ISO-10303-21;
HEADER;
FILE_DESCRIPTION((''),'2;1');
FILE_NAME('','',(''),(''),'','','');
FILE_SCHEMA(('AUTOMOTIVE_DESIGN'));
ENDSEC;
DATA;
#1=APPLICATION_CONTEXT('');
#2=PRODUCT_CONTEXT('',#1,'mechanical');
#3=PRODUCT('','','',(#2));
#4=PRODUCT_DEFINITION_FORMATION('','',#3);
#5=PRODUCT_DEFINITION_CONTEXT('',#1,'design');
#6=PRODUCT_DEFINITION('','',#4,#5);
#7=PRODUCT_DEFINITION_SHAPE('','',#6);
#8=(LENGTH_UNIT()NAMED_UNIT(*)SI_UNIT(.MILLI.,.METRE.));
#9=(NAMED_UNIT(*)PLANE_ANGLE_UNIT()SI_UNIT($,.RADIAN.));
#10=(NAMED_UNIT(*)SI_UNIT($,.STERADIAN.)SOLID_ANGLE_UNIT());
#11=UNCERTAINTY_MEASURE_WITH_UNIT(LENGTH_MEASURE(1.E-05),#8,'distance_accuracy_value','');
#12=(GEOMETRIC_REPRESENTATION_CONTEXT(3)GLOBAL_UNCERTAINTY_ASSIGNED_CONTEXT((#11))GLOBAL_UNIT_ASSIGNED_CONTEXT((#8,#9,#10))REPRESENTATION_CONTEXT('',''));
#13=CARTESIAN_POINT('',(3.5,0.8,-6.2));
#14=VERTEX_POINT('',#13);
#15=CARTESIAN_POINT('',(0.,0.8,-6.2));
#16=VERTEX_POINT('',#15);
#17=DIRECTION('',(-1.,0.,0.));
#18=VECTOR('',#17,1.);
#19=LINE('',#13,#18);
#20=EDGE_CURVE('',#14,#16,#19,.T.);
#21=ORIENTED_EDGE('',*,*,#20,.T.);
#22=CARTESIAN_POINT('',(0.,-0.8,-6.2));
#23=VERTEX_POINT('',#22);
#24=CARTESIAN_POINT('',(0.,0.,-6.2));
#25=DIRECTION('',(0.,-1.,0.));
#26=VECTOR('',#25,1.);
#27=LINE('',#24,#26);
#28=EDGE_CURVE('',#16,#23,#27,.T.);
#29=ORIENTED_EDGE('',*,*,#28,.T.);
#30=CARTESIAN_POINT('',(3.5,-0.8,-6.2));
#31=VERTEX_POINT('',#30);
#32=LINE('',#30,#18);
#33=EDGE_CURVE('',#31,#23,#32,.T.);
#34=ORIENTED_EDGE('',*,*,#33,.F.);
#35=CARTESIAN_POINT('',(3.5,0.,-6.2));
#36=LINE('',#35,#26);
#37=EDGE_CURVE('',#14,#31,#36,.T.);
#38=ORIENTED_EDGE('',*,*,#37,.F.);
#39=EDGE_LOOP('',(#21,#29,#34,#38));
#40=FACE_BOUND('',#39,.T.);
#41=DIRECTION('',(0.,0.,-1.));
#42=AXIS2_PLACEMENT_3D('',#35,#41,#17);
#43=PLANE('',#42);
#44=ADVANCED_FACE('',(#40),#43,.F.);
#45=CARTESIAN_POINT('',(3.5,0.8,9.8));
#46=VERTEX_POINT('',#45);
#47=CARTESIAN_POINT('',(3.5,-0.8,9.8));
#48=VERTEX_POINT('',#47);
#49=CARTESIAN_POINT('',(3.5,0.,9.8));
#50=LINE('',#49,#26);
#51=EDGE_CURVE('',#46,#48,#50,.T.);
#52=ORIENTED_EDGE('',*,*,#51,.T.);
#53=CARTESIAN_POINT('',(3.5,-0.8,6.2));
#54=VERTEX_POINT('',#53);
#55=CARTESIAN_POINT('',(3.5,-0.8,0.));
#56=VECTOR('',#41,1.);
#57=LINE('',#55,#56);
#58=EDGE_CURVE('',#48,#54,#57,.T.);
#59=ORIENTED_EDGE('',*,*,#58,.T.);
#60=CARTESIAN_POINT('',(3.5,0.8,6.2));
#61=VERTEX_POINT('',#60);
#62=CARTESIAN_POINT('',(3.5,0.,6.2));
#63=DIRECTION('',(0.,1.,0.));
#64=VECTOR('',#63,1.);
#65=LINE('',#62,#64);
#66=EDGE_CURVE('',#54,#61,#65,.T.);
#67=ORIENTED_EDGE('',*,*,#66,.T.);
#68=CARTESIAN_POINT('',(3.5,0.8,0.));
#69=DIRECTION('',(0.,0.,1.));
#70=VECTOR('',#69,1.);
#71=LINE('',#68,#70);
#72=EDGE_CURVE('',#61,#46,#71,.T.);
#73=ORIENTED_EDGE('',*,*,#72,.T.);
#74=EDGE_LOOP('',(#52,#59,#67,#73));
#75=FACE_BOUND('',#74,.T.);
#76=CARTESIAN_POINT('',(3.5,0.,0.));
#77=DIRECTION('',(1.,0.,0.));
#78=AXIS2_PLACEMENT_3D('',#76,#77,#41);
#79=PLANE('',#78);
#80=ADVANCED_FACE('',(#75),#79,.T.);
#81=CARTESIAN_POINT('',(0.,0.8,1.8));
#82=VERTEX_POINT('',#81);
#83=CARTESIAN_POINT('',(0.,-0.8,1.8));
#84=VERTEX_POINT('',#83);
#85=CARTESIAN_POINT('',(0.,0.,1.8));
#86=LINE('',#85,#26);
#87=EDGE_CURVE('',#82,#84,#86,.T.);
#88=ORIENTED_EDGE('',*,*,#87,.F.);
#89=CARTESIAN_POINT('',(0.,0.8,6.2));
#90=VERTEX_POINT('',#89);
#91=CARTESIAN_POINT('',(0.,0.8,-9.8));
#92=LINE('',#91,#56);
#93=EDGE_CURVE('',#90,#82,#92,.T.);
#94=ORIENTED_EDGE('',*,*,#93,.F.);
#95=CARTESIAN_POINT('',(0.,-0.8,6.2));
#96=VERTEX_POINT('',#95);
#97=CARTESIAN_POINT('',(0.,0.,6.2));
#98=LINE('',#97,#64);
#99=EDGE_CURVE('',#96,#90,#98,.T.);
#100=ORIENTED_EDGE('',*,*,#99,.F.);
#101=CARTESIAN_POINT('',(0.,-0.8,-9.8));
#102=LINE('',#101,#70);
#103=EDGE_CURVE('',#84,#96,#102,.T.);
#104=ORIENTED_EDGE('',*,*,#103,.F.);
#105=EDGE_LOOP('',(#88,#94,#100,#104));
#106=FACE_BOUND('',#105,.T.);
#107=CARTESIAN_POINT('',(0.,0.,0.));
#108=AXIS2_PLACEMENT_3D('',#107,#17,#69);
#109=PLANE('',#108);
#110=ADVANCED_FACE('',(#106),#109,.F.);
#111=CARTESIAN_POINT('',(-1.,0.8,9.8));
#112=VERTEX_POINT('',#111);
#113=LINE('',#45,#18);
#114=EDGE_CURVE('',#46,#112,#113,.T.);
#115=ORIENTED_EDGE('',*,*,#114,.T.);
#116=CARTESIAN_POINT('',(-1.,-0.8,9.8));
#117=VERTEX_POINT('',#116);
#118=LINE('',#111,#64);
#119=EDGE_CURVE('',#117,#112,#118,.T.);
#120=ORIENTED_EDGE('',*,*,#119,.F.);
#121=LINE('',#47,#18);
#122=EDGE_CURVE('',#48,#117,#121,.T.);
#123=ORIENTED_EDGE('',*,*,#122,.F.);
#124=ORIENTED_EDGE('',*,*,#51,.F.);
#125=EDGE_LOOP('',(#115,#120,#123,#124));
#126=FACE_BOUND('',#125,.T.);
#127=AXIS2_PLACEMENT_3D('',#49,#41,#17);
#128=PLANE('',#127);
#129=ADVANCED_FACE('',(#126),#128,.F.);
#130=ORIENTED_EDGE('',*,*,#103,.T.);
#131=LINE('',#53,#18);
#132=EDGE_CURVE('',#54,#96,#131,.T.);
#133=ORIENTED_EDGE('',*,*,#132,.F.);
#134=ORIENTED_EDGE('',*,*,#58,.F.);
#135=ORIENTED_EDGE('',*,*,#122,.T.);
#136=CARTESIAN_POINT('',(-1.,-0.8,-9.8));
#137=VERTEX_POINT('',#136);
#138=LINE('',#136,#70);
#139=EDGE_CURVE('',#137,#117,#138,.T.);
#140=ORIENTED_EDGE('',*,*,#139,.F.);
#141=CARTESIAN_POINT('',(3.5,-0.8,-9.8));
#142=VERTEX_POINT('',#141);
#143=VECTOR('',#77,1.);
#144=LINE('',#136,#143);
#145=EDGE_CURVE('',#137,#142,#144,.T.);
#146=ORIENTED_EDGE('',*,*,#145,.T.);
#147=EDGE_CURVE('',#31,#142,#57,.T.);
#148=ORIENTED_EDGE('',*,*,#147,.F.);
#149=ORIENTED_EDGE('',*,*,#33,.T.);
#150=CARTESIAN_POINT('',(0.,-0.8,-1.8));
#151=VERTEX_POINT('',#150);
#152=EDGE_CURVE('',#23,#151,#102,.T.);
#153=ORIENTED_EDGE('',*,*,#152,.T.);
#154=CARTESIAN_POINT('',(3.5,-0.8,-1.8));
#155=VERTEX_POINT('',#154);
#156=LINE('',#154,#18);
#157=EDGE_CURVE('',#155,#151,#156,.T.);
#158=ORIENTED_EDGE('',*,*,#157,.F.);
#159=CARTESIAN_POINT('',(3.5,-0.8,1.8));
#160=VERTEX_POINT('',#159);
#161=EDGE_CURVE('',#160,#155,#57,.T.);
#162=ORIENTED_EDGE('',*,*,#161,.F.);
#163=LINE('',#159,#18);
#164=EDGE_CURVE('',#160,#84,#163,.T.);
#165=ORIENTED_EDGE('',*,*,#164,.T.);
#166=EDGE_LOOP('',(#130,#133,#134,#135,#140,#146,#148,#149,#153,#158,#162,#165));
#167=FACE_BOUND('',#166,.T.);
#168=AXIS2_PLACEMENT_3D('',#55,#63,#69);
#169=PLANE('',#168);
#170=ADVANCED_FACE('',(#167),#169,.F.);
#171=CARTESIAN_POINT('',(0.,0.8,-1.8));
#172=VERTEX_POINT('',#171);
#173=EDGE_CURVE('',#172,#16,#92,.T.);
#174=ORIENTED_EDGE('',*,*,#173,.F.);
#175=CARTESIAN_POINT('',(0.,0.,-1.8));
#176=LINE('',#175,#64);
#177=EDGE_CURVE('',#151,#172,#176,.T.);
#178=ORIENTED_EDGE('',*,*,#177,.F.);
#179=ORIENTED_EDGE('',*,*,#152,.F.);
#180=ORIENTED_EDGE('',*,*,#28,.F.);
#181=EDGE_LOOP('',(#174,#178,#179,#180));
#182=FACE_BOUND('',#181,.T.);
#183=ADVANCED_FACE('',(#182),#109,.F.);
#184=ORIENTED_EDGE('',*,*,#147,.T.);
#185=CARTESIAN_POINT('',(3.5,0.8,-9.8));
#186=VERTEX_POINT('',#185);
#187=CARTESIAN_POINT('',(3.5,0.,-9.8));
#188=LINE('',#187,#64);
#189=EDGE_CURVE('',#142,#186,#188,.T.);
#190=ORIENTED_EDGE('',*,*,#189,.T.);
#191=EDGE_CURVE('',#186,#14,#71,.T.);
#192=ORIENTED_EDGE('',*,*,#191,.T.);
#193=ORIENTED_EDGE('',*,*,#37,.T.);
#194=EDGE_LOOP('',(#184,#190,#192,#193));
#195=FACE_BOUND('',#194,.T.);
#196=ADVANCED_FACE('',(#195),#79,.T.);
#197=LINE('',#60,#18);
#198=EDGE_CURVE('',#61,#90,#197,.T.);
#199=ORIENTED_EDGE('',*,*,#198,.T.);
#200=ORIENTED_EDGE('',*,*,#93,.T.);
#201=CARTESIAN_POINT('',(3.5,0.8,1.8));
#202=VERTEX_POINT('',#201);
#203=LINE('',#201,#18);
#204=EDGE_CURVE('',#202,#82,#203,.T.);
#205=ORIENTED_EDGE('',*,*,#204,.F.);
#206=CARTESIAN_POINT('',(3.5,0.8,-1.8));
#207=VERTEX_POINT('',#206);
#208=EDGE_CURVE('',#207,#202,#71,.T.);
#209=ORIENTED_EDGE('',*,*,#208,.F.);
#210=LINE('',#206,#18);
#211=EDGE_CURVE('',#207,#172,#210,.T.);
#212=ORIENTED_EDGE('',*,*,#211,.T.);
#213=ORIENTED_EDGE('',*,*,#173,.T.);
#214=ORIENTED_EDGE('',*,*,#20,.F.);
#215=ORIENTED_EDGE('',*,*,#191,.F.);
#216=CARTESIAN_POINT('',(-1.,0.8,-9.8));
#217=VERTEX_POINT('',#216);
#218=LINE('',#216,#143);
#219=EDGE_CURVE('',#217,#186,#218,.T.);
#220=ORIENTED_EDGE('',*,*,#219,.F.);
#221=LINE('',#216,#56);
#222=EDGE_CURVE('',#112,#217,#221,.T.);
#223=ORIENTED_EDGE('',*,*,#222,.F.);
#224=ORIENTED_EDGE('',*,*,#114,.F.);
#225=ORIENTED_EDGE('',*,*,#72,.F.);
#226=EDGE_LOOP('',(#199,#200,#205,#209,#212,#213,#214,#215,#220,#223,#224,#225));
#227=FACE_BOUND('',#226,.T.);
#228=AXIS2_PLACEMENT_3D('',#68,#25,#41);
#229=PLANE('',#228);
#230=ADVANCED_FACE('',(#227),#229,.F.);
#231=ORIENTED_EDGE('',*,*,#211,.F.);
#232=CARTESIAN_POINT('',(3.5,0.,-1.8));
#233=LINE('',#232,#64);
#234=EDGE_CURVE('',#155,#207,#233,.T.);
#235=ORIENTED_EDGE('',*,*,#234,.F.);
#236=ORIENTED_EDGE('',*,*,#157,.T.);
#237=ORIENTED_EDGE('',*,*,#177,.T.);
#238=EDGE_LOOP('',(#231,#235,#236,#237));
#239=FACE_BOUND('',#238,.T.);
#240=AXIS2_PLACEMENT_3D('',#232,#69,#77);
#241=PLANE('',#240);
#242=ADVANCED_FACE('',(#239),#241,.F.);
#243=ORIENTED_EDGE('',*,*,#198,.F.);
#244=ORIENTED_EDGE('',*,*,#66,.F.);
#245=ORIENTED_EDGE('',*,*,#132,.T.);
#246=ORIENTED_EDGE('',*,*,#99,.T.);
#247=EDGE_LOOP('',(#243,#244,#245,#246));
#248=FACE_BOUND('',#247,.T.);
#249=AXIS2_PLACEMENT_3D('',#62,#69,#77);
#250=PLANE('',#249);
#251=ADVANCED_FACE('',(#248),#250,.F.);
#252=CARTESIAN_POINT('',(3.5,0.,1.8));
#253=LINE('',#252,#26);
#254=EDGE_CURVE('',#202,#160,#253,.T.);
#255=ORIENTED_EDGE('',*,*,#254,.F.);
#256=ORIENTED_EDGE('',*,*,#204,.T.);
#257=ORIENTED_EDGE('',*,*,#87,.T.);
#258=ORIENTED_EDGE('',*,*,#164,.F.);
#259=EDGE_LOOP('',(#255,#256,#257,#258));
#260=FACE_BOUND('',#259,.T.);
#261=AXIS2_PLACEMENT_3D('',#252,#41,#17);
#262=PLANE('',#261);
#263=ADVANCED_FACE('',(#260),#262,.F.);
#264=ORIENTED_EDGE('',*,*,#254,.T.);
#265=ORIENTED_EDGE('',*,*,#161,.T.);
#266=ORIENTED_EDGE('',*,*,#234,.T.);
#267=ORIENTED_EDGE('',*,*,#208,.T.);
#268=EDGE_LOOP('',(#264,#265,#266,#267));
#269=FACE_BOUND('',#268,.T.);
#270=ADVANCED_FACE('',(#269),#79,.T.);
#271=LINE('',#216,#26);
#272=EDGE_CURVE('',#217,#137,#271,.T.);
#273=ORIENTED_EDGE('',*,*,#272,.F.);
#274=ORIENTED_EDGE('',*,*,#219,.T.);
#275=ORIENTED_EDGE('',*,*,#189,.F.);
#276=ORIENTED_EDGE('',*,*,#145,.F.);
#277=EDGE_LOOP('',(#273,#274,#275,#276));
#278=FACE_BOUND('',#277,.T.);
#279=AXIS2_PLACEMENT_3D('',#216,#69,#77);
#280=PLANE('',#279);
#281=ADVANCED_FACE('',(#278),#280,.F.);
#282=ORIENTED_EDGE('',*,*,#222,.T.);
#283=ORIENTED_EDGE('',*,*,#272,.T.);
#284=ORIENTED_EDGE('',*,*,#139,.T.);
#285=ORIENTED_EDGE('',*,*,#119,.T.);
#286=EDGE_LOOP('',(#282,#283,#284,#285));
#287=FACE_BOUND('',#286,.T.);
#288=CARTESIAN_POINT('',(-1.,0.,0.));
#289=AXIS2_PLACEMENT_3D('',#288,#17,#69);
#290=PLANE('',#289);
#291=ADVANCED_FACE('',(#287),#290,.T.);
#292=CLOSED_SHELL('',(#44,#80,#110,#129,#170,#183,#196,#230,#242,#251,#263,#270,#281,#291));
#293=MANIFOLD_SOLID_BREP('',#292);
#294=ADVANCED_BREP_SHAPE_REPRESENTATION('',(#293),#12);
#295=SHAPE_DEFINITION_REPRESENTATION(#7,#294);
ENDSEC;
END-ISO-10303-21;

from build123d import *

# Parameters (mm, degrees)
SKETCH_1_W      = 1.8
SKETCH_1_H      = 0.8
EXTRUDE_1_DEPTH = 3.5
SKETCH_2_W      = 19.6
SKETCH_2_H      = 1.6
EXTRUDE_2_DEPTH = 1


with BuildPart() as part:
    # 草图1 → 凸台-拉伸1 (new body)
    with BuildSketch(Plane(origin=(0, 0, 0), x_dir=(0, 0, -1), z_dir=(1, 0, 0))):
        Polygon((-8, -0.8), (-8, 0), (-8, 0.8), (-9.8, 0.8), (-9.8, -0.8), align=None)
        with Locations((-7.1, -0.4)):
            Rectangle(SKETCH_1_W, SKETCH_1_H)
        with Locations((-7.1, 0.4)):
            Rectangle(SKETCH_1_W, SKETCH_1_H)
        with Locations((-0.9, 0.4)):
            Rectangle(SKETCH_1_W, SKETCH_1_H)
        with Locations((-0.9, -0.4)):
            Rectangle(SKETCH_1_W, SKETCH_1_H)
        with Locations((0.9, -0.4)):
            Rectangle(SKETCH_1_W, SKETCH_1_H)
        with Locations((0.9, 0.4)):
            Rectangle(SKETCH_1_W, SKETCH_1_H)
        with Locations((7.1, -0.4)):
            Rectangle(SKETCH_1_W, SKETCH_1_H)
        with Locations((7.1, 0.4)):
            Rectangle(SKETCH_1_W, SKETCH_1_H)
        Polygon((8, 0.8), (8, 0), (8, -0.8), (9.8, -0.8), (9.8, 0.8), align=None)
    extrude(amount=EXTRUDE_1_DEPTH)

    # 草图2 → 凸台-拉伸2 (add)
    with BuildSketch(Plane.ZY):
        Rectangle(SKETCH_2_W, SKETCH_2_H)
    extrude(amount=EXTRUDE_2_DEPTH)


solid = part.part
